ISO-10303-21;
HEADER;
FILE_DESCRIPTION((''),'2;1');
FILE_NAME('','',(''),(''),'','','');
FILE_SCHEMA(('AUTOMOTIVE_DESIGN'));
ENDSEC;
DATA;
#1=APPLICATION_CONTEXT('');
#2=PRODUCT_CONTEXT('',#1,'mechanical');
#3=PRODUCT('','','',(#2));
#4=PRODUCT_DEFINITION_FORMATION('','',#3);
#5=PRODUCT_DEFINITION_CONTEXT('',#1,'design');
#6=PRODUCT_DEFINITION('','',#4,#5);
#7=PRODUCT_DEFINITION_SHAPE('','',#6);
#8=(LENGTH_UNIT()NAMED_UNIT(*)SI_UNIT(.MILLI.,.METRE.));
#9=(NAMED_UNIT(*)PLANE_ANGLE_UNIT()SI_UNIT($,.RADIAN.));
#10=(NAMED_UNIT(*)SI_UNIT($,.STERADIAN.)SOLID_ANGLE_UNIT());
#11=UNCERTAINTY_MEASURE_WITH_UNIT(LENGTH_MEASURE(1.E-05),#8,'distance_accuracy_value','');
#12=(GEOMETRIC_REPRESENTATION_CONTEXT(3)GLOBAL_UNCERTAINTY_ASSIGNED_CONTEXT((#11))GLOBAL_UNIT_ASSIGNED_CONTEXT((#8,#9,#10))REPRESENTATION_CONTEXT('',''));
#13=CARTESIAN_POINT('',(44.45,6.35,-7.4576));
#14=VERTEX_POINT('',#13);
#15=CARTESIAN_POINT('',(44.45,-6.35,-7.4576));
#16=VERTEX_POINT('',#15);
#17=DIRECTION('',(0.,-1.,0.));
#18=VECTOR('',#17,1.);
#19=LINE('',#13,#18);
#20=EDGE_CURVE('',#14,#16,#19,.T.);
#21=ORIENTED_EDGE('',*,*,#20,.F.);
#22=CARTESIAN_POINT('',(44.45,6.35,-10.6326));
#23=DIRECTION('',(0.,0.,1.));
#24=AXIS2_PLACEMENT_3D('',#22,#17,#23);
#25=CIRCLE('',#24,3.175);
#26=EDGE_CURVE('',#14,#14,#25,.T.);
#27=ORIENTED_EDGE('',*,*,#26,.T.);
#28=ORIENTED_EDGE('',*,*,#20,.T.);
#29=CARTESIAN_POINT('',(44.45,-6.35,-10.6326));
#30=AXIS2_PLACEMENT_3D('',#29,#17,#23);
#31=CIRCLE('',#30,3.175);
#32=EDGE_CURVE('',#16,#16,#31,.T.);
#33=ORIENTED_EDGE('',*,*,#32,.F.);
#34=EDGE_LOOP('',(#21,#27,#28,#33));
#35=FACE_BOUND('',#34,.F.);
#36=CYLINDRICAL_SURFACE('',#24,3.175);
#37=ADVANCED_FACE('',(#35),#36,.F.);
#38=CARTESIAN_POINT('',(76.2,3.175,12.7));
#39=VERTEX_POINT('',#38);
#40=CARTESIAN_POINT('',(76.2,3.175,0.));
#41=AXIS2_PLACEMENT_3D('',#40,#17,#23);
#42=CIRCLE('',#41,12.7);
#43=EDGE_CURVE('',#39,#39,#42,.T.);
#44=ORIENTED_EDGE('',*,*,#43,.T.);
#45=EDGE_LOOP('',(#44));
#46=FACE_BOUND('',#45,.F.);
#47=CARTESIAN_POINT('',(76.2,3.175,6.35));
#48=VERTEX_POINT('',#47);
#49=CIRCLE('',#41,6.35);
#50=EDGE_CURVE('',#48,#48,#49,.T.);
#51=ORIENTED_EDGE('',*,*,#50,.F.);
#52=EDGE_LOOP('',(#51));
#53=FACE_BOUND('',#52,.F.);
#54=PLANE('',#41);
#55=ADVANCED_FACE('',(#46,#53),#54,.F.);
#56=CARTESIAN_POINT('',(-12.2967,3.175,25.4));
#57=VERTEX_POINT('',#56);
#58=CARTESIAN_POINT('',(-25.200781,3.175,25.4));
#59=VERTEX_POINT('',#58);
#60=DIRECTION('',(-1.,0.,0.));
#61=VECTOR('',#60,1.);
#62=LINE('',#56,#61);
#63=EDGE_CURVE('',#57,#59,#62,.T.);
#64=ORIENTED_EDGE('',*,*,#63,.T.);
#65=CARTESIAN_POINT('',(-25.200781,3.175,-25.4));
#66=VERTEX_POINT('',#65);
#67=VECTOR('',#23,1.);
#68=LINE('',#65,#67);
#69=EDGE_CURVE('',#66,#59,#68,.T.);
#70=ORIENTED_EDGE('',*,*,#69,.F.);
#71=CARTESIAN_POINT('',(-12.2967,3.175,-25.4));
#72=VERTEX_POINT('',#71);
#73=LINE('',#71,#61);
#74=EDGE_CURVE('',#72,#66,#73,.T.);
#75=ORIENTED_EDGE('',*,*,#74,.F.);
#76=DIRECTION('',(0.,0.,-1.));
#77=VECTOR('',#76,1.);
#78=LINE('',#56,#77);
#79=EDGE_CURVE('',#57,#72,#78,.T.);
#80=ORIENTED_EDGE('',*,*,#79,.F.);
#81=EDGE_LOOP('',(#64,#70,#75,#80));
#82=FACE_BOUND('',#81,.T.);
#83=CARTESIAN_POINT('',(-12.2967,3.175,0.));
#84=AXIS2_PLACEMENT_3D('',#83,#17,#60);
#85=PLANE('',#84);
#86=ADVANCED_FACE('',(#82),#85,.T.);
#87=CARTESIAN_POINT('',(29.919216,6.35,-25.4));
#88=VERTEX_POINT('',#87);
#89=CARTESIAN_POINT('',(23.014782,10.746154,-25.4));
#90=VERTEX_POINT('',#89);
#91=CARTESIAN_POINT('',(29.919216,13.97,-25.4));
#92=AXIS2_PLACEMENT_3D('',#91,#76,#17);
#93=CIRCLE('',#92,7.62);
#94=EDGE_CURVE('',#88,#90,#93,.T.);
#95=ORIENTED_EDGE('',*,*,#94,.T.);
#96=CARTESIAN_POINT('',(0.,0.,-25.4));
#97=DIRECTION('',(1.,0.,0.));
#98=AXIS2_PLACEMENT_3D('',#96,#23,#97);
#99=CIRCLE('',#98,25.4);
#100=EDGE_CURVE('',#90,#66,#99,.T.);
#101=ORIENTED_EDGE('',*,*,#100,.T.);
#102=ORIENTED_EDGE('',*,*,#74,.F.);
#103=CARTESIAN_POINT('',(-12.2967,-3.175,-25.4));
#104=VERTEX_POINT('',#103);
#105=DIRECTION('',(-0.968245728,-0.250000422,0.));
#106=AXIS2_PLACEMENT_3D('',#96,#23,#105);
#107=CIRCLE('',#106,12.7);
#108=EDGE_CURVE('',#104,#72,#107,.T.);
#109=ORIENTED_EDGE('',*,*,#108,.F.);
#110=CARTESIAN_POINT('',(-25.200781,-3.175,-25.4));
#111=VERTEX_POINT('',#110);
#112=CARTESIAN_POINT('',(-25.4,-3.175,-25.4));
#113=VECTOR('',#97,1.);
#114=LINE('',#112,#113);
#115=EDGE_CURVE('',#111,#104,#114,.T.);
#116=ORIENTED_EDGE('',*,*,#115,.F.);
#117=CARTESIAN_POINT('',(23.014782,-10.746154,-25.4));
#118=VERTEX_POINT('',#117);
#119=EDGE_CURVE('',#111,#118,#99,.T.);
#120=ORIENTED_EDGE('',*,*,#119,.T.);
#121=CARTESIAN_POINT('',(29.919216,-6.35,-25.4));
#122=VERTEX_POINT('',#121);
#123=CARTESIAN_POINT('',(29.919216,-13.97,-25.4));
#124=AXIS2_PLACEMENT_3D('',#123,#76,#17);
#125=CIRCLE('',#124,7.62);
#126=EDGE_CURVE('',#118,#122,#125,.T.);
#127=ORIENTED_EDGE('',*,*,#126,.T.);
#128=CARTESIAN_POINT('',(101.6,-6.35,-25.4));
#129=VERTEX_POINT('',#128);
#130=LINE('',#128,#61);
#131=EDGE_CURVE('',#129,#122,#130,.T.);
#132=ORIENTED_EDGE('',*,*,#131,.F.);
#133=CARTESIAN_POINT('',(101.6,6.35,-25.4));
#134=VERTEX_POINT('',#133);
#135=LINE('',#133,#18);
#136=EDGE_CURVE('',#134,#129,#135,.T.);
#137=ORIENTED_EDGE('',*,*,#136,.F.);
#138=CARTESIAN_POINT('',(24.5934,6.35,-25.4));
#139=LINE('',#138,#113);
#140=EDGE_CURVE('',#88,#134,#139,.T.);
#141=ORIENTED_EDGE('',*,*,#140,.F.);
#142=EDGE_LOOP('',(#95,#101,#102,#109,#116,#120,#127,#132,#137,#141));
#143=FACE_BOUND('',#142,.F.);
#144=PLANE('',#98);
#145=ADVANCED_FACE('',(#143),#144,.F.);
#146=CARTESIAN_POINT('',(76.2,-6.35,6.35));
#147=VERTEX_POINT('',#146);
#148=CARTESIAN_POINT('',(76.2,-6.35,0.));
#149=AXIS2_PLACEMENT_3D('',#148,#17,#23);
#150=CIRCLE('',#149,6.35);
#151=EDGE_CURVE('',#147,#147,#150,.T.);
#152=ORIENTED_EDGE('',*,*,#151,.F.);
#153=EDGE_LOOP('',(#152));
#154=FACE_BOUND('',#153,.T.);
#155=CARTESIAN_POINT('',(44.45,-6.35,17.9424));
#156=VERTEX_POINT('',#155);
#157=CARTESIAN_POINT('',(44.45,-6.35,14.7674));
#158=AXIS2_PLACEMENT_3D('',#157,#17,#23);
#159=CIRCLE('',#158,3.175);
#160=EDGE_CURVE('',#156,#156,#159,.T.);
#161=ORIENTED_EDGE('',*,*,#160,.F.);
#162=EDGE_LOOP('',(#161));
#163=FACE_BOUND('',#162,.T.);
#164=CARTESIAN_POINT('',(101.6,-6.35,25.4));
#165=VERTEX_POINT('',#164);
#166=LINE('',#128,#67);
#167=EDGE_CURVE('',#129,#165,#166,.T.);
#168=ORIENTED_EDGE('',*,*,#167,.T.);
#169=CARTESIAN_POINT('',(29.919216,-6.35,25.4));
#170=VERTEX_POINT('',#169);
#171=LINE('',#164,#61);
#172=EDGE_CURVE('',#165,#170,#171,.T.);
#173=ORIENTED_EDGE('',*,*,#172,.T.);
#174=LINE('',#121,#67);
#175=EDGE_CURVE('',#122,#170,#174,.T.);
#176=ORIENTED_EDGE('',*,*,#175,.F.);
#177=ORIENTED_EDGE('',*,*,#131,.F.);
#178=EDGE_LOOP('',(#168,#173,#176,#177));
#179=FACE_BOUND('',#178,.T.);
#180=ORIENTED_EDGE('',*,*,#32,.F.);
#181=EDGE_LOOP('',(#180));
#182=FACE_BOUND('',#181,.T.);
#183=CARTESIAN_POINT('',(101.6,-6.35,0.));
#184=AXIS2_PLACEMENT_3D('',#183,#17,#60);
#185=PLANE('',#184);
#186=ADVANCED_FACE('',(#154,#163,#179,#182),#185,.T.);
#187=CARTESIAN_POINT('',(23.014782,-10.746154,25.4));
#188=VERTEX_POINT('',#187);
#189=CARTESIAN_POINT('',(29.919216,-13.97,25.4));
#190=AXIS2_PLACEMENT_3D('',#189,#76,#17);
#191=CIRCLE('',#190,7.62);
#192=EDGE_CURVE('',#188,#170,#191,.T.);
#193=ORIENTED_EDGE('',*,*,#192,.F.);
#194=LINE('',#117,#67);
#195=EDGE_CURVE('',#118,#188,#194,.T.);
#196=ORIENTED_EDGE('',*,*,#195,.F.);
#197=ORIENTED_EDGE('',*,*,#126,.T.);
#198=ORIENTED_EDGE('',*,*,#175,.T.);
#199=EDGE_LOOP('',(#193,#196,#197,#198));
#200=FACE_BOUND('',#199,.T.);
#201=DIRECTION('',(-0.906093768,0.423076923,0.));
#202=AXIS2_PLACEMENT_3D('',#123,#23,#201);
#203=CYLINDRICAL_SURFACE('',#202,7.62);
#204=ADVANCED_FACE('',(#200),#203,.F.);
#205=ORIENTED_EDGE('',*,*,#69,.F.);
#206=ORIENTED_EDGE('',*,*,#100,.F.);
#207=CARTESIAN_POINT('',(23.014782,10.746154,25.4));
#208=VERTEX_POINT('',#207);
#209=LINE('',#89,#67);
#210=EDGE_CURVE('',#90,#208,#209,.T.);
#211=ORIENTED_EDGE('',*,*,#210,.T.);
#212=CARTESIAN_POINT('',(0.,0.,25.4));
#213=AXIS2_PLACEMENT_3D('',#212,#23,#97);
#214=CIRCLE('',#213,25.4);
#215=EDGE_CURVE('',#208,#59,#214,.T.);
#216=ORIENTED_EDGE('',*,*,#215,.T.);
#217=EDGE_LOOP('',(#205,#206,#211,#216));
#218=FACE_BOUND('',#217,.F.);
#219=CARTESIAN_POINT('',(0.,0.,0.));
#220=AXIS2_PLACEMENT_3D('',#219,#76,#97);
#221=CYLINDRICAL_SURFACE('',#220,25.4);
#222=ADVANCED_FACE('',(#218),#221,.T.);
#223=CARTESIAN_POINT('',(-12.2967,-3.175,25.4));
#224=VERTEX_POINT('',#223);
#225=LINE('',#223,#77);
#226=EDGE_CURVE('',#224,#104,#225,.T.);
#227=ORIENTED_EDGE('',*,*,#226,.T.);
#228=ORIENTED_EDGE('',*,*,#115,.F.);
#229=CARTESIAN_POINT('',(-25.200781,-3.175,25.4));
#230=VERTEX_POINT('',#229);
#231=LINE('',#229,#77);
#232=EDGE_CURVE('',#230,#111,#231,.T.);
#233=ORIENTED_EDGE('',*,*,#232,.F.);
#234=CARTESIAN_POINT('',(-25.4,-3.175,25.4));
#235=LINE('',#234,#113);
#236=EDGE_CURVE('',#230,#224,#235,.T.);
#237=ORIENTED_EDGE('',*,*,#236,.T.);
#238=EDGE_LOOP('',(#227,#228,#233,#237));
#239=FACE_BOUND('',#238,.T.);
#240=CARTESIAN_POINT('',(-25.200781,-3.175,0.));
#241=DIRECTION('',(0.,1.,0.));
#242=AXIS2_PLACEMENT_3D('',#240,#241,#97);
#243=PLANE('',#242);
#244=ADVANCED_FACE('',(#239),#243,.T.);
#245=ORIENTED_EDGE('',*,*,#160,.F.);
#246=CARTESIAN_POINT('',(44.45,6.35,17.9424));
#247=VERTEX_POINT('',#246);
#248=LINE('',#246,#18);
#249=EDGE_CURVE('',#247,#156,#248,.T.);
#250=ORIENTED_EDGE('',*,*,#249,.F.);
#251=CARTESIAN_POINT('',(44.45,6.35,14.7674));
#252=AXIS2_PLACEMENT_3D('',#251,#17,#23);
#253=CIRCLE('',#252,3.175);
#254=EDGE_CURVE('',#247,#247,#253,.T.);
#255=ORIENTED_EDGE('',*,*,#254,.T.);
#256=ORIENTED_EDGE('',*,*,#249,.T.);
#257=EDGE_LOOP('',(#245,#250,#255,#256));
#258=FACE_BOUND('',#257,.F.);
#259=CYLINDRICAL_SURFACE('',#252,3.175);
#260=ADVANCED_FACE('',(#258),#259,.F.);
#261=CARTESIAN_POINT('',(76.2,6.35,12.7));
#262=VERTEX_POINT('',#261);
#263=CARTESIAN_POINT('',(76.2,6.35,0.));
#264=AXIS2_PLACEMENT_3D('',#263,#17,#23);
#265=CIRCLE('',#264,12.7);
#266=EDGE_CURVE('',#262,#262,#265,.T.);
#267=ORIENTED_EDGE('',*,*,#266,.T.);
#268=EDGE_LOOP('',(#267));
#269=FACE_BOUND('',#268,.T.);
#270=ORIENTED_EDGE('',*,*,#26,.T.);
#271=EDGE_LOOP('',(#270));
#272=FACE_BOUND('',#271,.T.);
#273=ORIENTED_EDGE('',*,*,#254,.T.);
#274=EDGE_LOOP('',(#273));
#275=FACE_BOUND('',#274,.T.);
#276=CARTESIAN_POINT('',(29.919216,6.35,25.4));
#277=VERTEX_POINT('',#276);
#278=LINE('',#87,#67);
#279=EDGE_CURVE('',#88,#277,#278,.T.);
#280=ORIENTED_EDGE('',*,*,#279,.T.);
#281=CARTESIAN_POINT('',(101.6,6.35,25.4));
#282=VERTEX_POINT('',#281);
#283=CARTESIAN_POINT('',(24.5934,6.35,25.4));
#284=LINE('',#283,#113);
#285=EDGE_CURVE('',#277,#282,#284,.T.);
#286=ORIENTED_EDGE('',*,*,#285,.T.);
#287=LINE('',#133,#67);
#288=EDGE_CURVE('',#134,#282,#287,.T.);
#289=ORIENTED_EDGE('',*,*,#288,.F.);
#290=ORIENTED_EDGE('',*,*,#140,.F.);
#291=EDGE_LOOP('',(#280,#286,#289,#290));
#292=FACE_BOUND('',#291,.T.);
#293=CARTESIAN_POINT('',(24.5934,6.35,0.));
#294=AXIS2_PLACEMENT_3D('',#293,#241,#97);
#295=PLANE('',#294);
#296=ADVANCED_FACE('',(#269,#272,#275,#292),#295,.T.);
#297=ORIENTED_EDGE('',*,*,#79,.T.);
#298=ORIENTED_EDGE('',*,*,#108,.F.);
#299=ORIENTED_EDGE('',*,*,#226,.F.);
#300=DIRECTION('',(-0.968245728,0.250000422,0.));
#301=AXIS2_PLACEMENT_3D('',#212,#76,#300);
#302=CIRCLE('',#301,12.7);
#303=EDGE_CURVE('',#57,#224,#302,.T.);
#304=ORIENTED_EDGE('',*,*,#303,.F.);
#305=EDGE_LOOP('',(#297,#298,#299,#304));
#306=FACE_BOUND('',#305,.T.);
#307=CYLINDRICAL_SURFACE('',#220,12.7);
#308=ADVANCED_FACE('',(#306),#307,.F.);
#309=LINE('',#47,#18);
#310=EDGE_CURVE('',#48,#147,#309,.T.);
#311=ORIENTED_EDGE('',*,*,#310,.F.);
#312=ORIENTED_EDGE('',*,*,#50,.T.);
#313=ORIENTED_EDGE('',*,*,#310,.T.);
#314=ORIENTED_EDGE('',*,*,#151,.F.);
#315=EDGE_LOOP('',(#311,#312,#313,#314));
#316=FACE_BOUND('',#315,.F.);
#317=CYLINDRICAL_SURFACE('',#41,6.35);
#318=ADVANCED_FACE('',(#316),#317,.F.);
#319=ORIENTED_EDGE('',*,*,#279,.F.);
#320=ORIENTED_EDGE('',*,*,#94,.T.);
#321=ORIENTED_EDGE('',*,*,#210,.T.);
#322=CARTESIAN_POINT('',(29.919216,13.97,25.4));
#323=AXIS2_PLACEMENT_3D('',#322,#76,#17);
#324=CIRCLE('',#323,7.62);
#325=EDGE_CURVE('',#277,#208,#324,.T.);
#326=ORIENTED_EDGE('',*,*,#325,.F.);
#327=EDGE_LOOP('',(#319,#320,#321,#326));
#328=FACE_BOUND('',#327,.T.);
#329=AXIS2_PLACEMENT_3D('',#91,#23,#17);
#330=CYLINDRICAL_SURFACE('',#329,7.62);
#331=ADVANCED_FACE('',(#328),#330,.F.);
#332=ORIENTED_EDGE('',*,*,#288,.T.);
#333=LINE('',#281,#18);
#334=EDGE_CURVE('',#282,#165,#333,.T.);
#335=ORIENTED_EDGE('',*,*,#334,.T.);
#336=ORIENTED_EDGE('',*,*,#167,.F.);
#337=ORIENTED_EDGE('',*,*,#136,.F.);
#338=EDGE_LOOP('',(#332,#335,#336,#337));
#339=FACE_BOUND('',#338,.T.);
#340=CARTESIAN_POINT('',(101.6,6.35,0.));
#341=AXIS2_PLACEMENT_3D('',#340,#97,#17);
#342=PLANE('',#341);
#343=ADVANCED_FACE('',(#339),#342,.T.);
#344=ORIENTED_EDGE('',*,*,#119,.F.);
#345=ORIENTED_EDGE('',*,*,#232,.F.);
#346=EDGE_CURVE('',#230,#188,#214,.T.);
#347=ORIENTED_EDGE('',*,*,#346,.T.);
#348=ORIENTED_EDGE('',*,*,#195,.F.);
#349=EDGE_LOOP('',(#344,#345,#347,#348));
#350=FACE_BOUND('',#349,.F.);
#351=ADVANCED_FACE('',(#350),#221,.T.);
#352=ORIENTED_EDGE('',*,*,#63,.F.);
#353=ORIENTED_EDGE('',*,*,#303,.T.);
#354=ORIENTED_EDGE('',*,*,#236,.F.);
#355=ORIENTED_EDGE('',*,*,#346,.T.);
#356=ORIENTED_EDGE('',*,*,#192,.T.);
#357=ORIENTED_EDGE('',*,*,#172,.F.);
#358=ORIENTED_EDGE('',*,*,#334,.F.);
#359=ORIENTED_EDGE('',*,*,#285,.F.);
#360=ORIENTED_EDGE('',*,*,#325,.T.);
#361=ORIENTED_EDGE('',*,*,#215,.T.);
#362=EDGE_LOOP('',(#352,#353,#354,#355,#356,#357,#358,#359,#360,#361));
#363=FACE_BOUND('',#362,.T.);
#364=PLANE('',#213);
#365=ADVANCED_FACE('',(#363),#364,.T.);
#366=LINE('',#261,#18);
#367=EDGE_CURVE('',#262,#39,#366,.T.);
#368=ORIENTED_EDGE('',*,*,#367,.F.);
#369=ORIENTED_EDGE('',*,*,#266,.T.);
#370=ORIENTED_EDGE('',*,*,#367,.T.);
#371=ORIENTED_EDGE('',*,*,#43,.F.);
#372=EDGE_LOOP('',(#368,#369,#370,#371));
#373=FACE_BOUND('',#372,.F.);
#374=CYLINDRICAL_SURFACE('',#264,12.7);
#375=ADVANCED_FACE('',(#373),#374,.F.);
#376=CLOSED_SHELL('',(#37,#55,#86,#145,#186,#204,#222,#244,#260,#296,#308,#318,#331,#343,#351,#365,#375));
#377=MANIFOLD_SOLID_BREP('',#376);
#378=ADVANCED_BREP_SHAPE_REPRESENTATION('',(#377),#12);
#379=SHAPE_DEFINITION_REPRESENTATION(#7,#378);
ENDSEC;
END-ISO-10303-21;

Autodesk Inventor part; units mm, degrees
ref_plane "YZ Plane" through (0, 0, 0) normal (1, 0, 0) x (0, 1, 0)
ref_plane "XZ Plane" through (0, 0, 0) normal (0, 1, 0) x (-1, 0, 0)
ref_plane "XY Plane" through (0, 0, 0) normal (0, 0, 1) x (1, 0, 0)
sketch "Sketch1" plane through (0, 0, 0) normal (0, 0, 1) x (1, 0, 0)
  circle A0 centre (0, 0) radius 25.4
  line L0 (101.6, -6.35) -> (24.5934, -6.35)
  line L1 (24.5934, -6.35) -> (24.5934, 6.35) construction
  line L2 (24.5934, 6.35) -> (101.6, 6.35)
  line L3 (101.6, 6.35) -> (101.6, -6.35)
  line L4 (101.6, -6.35) -> (24.5934, 6.35) construction
  line L5 (24.5934, -6.35) -> (101.6, 6.35) construction
  circle A1 centre (0, 0) radius 12.7
  line L6 (-25.4, -3.175) -> (-12.2967, -3.175)
  line L7 (-12.2967, -3.175) -> (-12.2967, 3.175)
  line L8 (-12.2967, 3.175) -> (-25.4, 3.175)
  line L9 (-25.4, 3.175) -> (-25.4, -3.175)
  line L10 (-25.4, -3.175) -> (-12.2967, 3.175) construction
  line L11 (-12.2967, -3.175) -> (-25.4, 3.175) construction
  point P0 (63.0967, 0)
  point P1 (-18.8484, 0)
  point P2 (-25.2008, 3.175)
  point P3 (-25.2008, -3.175)
  dimension "d0" = 50.8
  dimension "d3" = 25.4
  dimension "d1" = 12.7
  dimension "d2" = 6.35
  dimension "d4" = 101.6
extrude "Extrusion1" add sketch "Sketch1" along normal mid plane 50.8 contours A0 L6 A1 L8 | A0 L2 L3 L0 picked at (17.6529, 11.4324)
sketch "Sketch2" plane through (24.5934, 6.35, 25.4) normal (0, 1, 0) x (1, 0, 0)
  line L0 (77.0066, 50.8) -> (77.0066, 0) projected
  line L1 (0, 50.8) -> (77.0066, 50.8) projected
  point P0 (-24.5934, 25.4)
  point P1 (51.6066, 25.4)
  dimension "d7" = 25.4
  dimension "d8" = 25.4
hole "Hole1" at (76.2, 6.35, 0) direction (0, -1, 0) diameter 12.7 end through all counterbore diameter 25.4 counterbore depth 3.175
sketch "Sketch3" plane through (24.5934, 6.35, 25.4) normal (0, 1, 0) x (1, 0, 0)
  line L0 (77.0066, 50.8) -> (77.0066, 0) projected
  point P0 (-24.5934, 25.4)
  point P1 (19.8566, 10.6326)
  point P2 (19.8566, 36.0326)
  dimension "d16" = 25.4
  dimension "d17" = 57.15
hole "Hole2" at (44.45, 6.35, 14.7674) at (44.45, 6.35, -10.6326) direction (0, -1, 0) diameter 6.35 end through all
fillet "Fillet1" radius 7.62 2 edges at (24.5934, 6.35, 0) (24.5934, -6.35, 0)
properties part number "HingeGuide"
